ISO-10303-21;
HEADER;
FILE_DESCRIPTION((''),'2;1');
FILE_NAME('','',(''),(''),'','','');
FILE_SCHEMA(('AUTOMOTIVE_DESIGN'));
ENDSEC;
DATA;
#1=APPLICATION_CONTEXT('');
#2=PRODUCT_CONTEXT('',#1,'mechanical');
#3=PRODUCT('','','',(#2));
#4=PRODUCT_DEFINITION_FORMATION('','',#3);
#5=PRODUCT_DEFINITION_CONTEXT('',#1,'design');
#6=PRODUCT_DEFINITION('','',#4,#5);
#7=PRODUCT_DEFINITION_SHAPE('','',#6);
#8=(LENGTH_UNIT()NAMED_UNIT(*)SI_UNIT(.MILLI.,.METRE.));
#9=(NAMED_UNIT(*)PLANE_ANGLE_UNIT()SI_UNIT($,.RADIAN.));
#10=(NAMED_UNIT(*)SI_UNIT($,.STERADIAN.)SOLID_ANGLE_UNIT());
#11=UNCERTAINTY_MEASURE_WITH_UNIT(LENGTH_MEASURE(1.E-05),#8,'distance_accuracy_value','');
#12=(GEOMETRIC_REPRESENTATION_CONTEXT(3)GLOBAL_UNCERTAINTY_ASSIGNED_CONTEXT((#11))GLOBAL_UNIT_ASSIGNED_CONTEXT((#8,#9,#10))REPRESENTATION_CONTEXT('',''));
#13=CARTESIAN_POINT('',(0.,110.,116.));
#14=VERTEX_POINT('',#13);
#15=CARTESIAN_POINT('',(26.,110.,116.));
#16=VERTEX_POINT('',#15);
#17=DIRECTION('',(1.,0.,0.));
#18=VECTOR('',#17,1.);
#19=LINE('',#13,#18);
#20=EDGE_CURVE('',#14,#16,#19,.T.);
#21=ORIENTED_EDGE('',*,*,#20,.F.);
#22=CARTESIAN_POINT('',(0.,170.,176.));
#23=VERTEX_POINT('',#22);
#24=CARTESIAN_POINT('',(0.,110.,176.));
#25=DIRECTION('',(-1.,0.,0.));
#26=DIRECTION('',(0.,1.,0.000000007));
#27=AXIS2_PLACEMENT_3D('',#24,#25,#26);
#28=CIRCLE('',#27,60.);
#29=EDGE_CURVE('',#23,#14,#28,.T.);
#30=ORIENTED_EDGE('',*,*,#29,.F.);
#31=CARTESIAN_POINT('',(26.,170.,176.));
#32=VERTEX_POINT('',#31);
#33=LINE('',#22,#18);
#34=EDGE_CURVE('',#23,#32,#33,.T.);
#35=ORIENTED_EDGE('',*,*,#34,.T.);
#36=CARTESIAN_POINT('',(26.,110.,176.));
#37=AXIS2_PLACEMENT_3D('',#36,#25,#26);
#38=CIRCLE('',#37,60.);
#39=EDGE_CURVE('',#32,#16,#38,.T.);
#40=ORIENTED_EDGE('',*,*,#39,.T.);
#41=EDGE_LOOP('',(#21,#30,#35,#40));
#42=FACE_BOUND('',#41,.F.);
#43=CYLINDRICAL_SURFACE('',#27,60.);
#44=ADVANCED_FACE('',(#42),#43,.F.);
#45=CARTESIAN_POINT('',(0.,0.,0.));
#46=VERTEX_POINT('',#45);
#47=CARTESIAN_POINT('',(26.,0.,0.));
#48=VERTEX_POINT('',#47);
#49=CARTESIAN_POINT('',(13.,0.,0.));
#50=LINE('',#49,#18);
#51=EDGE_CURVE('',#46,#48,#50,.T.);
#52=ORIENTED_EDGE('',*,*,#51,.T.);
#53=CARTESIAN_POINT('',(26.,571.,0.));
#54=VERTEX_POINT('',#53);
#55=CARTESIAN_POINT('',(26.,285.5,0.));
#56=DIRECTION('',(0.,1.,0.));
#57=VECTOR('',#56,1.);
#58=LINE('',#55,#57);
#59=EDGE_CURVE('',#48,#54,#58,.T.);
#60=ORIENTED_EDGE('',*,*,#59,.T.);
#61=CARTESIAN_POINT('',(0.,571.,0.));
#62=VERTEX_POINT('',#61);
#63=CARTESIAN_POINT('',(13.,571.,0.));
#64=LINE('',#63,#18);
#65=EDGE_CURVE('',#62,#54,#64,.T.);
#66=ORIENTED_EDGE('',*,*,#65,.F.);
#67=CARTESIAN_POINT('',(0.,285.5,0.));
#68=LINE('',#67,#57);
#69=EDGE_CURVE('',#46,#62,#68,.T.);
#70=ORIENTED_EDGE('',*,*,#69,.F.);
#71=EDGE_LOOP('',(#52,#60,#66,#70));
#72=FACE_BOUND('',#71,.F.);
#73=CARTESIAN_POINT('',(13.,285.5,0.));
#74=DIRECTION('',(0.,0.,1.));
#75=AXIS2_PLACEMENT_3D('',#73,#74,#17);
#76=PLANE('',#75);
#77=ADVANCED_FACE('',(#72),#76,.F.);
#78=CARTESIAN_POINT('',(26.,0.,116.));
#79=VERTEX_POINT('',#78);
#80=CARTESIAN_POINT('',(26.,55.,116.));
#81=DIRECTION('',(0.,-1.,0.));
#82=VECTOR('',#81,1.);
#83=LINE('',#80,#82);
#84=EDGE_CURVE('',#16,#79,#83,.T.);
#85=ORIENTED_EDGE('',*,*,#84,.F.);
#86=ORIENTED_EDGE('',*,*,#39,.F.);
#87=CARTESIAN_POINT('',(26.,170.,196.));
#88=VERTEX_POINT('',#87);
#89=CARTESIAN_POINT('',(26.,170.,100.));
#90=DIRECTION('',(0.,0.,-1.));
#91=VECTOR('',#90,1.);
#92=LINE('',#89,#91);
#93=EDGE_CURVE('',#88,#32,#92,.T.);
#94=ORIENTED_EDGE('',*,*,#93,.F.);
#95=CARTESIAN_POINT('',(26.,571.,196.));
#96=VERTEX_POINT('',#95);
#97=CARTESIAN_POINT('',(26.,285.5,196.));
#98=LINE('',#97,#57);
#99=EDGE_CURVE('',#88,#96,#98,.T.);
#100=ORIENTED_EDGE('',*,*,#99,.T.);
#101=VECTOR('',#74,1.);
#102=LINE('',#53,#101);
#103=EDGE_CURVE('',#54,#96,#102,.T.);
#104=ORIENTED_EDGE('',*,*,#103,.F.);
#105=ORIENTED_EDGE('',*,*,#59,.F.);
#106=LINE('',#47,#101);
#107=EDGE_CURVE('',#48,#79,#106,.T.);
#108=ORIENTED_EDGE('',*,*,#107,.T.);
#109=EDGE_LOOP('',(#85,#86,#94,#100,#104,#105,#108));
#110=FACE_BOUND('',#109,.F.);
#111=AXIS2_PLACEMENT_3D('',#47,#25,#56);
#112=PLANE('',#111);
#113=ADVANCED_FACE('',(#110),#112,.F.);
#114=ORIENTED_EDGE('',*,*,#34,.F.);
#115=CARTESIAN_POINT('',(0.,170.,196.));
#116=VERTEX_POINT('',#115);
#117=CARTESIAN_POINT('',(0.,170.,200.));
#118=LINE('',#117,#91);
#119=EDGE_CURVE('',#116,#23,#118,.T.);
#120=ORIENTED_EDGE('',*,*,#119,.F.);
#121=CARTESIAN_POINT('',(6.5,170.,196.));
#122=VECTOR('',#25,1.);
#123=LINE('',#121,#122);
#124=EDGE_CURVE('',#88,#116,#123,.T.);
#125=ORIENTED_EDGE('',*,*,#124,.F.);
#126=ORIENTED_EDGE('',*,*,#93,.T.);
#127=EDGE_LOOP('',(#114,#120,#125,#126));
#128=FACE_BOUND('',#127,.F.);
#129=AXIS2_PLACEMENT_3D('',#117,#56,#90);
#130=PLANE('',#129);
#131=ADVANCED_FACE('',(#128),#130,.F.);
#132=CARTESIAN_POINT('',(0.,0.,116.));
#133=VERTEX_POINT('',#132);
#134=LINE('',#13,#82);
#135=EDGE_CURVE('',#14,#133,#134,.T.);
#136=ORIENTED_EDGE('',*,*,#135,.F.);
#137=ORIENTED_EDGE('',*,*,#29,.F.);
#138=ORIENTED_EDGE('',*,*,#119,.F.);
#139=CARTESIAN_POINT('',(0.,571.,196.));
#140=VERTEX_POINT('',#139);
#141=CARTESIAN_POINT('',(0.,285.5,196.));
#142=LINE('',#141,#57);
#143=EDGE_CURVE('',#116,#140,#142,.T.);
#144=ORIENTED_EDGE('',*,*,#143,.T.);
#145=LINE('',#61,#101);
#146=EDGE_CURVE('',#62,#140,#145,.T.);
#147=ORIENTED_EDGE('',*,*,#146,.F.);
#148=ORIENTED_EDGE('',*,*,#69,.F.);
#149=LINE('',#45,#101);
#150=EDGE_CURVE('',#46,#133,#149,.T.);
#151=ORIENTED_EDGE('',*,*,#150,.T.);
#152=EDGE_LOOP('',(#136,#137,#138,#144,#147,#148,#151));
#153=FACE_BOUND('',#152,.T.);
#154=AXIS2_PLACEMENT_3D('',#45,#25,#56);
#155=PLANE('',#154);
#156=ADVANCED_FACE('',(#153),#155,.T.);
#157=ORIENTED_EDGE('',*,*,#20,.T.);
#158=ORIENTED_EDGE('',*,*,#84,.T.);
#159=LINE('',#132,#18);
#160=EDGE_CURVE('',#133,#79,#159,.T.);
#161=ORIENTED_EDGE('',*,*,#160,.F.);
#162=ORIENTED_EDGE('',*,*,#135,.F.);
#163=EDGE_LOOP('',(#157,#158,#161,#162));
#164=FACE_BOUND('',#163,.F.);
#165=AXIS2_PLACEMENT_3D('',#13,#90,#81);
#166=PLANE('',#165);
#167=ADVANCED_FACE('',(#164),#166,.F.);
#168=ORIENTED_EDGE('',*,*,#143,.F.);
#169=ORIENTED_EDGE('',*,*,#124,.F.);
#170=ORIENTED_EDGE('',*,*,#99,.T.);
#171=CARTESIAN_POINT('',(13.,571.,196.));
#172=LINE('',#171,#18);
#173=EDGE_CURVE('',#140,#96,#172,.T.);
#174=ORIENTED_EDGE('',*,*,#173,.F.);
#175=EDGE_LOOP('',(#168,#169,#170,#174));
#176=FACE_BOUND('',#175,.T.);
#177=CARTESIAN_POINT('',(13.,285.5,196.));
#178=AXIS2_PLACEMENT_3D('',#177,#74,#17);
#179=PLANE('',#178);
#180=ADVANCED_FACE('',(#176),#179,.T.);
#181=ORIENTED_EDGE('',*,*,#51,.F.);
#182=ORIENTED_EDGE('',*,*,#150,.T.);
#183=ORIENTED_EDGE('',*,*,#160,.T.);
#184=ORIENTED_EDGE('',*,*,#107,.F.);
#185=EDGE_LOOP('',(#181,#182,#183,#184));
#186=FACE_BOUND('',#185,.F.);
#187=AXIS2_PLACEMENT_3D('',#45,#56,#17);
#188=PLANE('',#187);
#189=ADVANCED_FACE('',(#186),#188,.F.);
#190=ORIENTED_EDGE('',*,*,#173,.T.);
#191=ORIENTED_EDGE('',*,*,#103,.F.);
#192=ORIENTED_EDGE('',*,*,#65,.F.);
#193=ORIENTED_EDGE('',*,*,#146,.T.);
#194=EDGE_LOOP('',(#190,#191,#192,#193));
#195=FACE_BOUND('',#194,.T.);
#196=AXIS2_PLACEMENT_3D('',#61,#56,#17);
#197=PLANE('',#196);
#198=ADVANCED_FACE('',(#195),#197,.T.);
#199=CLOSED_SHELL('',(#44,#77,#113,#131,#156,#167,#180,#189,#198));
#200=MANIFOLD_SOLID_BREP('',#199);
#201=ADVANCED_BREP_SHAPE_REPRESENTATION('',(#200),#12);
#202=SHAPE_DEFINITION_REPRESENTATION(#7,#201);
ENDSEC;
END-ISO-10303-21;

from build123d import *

# Parameters (mm, degrees)
BOX_W        = 26
BOX_H        = 571
BOX_DEPTH    = 196
POCKET_DEPTH = 26.001


with BuildPart() as part:
    # Box → Box (new body)
    with BuildSketch(Plane.XY):
        with Locations((13, 285.5)):
            Rectangle(BOX_W, BOX_H)
    extrude(amount=BOX_DEPTH)

    # Sketch (on Face1 of Box) → Pocket (cut, through all)
    with BuildSketch(Plane(origin=(0, 0, 0), x_dir=(0, -1, 0), z_dir=(-1, 0, 0))):
        with BuildLine():
            ThreePointArc((-170, 176), (-152.426407, 133.573593), (-110, 116))
            Line((-110, 116), (0, 116))
            Line((0, 200), (0, 116))
            Line((-170, 200), (0, 200))
            Line((-170, 200), (-170, 176))
        make_face()
    extrude(amount=-POCKET_DEPTH, mode=Mode.SUBTRACT)


solid = part.part
